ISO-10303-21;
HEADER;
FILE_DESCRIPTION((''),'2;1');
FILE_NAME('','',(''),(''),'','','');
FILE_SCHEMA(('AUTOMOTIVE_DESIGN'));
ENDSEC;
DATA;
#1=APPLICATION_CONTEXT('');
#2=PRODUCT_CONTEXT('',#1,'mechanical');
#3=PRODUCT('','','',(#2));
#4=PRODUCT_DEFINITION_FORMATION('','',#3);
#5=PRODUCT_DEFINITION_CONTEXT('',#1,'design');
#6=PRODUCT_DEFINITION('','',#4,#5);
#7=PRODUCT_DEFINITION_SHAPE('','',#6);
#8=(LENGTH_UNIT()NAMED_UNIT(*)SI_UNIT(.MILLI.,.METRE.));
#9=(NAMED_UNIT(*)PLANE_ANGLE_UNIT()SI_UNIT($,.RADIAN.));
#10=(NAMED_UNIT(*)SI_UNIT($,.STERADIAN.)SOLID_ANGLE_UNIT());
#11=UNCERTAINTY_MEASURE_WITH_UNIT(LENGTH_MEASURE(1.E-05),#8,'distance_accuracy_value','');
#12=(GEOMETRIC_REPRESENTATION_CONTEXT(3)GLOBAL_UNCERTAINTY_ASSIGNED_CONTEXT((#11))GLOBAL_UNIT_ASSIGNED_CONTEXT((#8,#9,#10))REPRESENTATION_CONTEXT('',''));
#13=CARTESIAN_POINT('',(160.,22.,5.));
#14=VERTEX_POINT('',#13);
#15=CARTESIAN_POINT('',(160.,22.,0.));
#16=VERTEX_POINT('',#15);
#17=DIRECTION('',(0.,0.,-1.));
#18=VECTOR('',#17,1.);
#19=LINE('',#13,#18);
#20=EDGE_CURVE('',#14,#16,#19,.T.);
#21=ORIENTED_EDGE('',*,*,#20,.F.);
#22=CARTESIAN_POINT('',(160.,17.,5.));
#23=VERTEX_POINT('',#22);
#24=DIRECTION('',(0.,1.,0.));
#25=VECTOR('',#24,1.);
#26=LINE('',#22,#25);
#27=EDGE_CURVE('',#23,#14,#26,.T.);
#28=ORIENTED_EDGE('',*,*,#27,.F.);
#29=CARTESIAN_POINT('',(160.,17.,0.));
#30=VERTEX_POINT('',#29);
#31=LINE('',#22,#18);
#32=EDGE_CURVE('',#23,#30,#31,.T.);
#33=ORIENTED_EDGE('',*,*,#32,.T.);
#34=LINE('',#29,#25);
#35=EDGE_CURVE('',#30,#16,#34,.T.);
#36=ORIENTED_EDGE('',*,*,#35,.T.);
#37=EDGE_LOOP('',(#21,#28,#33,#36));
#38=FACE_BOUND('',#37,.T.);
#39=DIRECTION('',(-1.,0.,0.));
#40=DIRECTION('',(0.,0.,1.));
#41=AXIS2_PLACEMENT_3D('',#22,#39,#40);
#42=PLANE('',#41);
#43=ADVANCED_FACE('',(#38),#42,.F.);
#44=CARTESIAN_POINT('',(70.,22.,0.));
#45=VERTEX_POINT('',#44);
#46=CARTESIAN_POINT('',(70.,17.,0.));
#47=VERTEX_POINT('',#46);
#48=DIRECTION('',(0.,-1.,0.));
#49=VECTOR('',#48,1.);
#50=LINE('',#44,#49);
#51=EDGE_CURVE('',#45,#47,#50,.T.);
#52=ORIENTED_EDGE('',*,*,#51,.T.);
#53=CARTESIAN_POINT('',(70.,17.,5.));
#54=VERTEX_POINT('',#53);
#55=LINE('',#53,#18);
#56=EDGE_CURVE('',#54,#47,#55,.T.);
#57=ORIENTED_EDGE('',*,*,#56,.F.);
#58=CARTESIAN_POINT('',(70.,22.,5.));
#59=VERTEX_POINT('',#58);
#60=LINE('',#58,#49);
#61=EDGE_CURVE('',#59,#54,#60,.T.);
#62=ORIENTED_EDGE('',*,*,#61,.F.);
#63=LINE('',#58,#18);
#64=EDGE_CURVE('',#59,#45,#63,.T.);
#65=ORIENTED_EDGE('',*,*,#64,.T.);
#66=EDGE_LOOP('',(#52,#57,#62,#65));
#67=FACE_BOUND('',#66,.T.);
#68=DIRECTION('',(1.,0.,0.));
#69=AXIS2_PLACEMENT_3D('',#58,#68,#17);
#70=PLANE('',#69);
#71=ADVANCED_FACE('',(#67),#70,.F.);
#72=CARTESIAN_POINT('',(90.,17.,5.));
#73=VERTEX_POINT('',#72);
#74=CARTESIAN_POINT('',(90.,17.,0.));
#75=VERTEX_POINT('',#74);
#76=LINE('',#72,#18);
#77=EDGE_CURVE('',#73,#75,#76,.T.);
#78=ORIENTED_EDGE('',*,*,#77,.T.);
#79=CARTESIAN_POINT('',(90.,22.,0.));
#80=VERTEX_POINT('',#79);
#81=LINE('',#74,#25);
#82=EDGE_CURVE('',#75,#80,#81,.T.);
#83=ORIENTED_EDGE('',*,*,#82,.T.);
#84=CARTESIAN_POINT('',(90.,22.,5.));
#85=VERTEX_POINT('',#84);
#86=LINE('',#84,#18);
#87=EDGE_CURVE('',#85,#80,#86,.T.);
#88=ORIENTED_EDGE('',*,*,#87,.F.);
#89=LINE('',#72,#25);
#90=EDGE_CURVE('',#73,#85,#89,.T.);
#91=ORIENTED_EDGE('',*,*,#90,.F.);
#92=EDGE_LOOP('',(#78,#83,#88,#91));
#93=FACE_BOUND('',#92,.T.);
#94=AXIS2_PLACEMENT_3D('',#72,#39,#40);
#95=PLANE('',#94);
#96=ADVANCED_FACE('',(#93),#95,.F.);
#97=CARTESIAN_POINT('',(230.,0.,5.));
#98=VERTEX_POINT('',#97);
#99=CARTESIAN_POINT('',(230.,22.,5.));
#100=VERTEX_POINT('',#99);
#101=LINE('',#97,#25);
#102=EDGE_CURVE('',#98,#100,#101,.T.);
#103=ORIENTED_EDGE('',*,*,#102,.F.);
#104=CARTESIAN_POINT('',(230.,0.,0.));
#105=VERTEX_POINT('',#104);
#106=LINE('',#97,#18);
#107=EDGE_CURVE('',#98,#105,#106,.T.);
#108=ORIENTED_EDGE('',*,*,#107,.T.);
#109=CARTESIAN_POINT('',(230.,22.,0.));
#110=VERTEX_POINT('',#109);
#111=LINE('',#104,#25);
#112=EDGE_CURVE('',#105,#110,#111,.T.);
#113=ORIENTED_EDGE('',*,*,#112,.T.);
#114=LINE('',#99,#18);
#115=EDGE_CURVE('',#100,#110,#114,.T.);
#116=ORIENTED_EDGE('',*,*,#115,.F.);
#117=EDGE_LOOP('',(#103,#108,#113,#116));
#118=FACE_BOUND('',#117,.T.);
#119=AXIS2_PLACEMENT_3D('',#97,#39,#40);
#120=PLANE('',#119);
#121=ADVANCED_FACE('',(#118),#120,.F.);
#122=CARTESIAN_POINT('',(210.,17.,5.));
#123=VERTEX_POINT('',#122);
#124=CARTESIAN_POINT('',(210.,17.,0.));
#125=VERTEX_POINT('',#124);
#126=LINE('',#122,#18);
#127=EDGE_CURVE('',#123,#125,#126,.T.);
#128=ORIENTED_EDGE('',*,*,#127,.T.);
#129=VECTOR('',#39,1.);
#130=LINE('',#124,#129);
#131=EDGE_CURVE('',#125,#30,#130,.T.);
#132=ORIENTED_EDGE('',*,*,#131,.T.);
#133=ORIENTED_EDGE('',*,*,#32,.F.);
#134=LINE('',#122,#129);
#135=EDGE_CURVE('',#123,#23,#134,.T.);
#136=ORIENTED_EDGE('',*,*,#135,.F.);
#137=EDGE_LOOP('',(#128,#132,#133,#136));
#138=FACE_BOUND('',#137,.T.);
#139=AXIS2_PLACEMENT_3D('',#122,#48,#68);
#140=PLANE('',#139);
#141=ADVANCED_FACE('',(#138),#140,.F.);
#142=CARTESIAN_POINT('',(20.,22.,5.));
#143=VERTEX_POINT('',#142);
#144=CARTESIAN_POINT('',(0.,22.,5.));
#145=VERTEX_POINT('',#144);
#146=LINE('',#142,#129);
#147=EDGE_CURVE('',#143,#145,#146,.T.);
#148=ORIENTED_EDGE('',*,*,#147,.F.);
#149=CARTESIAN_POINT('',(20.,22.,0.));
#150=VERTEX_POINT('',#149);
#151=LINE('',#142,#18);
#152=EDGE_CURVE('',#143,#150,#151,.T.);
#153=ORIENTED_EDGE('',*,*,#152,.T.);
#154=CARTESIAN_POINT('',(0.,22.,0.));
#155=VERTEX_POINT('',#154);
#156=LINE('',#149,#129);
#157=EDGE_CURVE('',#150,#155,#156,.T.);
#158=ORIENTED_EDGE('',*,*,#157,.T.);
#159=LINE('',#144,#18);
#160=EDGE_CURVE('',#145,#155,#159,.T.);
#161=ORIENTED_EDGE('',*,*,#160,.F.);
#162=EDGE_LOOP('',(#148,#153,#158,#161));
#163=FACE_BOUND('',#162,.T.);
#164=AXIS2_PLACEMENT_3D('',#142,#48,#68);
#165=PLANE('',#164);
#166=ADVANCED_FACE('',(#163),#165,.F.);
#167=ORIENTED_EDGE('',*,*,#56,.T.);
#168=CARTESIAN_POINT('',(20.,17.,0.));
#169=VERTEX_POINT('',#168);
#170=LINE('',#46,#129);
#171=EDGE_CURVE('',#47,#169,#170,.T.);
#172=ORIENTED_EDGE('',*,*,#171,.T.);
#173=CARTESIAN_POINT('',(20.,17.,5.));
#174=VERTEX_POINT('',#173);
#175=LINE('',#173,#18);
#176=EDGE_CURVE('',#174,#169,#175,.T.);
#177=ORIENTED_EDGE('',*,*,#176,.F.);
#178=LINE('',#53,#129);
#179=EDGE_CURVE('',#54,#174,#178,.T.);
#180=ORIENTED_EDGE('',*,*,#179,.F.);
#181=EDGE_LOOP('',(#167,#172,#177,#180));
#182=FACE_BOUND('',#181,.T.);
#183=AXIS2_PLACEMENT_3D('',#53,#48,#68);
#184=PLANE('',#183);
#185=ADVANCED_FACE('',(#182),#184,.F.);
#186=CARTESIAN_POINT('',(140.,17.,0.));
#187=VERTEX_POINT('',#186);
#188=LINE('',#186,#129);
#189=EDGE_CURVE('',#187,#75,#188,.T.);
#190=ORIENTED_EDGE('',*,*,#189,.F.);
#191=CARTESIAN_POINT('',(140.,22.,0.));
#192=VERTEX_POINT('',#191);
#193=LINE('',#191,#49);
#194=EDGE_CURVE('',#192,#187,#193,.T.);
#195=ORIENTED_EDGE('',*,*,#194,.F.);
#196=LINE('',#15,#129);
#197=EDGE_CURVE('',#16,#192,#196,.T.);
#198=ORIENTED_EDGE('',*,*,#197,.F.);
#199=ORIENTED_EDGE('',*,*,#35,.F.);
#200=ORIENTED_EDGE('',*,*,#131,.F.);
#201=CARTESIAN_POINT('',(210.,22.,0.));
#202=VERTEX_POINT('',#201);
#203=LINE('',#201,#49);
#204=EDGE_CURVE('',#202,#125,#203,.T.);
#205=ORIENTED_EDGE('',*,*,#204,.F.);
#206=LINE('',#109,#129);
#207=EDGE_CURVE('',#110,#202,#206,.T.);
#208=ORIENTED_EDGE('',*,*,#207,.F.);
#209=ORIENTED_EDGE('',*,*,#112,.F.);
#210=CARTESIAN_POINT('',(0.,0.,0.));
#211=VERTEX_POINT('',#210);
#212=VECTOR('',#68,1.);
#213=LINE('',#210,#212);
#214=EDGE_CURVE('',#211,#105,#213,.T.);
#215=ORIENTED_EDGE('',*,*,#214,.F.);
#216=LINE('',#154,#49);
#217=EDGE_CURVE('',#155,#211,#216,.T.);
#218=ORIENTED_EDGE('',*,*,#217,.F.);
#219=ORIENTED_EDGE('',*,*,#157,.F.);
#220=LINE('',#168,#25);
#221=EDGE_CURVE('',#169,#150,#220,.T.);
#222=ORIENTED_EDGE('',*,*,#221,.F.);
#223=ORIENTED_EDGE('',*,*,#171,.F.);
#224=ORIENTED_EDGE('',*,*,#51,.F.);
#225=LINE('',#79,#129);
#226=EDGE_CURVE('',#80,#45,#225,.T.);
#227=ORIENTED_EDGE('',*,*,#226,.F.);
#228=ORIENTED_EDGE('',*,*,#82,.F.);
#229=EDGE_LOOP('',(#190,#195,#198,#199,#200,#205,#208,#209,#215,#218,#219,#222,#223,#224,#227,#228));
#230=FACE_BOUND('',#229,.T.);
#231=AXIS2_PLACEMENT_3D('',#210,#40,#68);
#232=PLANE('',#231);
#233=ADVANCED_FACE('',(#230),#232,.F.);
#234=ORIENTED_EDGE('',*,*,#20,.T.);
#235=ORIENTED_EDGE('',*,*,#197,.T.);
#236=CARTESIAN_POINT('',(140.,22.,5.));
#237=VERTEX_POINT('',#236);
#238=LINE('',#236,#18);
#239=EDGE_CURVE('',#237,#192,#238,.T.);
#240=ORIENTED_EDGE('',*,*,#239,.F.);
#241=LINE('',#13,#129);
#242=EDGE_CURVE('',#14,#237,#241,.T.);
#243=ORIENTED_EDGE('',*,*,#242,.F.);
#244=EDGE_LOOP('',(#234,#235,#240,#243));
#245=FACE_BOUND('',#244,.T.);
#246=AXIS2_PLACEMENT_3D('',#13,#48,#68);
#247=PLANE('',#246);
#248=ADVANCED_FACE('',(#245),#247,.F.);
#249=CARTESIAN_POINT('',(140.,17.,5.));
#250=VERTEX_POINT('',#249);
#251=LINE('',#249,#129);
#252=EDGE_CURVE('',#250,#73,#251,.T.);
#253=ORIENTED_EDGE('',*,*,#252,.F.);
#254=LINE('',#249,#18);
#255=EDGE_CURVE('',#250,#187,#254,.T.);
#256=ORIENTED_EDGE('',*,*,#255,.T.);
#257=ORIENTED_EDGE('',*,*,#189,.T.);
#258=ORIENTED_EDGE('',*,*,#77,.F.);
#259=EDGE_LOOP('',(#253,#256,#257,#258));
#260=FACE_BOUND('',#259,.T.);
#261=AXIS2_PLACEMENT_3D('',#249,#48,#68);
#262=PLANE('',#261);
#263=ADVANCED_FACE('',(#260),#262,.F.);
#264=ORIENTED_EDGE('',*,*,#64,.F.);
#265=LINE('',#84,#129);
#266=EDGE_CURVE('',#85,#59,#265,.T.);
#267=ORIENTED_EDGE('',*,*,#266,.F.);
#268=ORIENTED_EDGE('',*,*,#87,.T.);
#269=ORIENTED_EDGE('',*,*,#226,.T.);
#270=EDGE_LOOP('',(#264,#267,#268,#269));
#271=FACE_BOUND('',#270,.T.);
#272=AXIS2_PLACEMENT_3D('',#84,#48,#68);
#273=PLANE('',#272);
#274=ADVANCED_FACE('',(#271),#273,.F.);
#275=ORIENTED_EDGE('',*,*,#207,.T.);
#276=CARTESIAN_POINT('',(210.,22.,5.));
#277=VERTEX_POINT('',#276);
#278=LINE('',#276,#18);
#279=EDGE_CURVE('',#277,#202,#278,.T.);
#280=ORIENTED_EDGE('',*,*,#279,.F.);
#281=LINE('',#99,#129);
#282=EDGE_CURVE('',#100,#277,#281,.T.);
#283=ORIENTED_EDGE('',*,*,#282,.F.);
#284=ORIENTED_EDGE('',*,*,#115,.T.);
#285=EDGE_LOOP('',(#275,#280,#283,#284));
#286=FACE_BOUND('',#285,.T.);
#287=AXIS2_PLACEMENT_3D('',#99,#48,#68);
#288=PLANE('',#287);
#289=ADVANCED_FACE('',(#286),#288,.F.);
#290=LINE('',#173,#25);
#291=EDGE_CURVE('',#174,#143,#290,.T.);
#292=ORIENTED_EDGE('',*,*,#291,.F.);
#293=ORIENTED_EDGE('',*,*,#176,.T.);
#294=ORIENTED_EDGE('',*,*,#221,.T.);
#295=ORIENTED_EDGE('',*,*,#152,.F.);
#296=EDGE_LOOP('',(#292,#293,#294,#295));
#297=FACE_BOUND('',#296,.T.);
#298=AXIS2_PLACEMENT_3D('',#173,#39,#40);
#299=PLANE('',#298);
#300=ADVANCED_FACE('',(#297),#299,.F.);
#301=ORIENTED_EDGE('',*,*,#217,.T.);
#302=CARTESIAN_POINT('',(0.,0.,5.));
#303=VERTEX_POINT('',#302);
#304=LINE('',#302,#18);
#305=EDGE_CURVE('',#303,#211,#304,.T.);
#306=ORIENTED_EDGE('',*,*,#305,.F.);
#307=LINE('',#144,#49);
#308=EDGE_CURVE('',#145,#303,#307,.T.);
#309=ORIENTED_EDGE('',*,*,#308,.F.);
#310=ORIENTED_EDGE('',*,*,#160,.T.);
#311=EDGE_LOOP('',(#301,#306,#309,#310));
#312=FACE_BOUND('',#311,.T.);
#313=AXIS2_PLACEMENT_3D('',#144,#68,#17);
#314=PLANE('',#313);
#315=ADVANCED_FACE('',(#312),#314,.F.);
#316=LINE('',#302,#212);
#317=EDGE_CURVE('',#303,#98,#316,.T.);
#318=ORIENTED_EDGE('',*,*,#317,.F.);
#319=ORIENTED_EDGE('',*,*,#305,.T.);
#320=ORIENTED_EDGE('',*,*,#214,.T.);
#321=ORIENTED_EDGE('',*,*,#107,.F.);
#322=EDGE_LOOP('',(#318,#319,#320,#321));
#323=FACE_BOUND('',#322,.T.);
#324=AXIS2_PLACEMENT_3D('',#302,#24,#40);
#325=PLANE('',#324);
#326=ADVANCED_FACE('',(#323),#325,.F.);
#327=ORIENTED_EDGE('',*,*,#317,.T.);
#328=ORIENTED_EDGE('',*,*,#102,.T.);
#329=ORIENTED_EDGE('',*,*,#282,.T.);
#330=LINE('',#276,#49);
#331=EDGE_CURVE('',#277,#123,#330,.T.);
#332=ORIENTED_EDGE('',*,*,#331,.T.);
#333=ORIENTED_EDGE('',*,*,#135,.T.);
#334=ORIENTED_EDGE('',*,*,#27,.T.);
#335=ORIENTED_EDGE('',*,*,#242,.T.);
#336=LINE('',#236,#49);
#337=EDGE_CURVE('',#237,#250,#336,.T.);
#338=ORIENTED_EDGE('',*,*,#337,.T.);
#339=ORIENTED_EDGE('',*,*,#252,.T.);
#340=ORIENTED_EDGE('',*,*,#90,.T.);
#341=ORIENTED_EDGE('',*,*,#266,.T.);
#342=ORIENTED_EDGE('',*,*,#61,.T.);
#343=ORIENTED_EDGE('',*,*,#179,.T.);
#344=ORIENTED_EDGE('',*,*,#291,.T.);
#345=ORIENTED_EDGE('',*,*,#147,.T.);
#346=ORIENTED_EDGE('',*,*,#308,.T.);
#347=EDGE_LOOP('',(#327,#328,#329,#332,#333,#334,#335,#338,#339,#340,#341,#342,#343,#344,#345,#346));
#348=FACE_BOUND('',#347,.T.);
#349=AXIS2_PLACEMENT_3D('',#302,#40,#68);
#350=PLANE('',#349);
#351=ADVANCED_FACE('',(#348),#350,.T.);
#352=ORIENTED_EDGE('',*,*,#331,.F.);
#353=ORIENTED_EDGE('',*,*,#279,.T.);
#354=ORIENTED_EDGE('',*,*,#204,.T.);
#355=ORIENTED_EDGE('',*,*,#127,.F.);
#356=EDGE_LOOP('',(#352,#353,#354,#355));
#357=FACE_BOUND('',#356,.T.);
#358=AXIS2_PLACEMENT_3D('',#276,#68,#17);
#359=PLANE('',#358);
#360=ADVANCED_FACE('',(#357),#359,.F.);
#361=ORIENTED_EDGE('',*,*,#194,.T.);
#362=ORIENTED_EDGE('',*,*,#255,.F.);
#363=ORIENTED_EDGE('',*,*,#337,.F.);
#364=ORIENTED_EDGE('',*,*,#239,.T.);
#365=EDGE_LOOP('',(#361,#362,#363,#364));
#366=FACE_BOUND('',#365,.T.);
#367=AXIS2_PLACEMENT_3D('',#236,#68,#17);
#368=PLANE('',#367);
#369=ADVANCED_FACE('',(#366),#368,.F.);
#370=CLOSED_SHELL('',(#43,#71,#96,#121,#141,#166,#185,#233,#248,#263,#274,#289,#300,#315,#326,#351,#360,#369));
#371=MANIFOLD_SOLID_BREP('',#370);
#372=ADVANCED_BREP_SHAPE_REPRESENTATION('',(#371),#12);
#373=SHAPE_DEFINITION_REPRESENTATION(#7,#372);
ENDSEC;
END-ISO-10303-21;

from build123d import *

# Parameters (mm, degrees)
BOSS_EXTRU_2_DEPTH = 5


with BuildPart() as part:
    # Esquisse1 → Boss.-Extru.2 (new body)
    with BuildSketch(Plane.XY):
        Polygon((0, 0), (230, 0), (230, 22), (210, 22), (210, 17), (160, 17), (160, 22), (140, 22), (140, 17), (90, 17), (90, 22), (70, 22), (70, 17), (20, 17), (20, 22), (0, 22), align=None)
    extrude(amount=BOSS_EXTRU_2_DEPTH)


solid = part.part
